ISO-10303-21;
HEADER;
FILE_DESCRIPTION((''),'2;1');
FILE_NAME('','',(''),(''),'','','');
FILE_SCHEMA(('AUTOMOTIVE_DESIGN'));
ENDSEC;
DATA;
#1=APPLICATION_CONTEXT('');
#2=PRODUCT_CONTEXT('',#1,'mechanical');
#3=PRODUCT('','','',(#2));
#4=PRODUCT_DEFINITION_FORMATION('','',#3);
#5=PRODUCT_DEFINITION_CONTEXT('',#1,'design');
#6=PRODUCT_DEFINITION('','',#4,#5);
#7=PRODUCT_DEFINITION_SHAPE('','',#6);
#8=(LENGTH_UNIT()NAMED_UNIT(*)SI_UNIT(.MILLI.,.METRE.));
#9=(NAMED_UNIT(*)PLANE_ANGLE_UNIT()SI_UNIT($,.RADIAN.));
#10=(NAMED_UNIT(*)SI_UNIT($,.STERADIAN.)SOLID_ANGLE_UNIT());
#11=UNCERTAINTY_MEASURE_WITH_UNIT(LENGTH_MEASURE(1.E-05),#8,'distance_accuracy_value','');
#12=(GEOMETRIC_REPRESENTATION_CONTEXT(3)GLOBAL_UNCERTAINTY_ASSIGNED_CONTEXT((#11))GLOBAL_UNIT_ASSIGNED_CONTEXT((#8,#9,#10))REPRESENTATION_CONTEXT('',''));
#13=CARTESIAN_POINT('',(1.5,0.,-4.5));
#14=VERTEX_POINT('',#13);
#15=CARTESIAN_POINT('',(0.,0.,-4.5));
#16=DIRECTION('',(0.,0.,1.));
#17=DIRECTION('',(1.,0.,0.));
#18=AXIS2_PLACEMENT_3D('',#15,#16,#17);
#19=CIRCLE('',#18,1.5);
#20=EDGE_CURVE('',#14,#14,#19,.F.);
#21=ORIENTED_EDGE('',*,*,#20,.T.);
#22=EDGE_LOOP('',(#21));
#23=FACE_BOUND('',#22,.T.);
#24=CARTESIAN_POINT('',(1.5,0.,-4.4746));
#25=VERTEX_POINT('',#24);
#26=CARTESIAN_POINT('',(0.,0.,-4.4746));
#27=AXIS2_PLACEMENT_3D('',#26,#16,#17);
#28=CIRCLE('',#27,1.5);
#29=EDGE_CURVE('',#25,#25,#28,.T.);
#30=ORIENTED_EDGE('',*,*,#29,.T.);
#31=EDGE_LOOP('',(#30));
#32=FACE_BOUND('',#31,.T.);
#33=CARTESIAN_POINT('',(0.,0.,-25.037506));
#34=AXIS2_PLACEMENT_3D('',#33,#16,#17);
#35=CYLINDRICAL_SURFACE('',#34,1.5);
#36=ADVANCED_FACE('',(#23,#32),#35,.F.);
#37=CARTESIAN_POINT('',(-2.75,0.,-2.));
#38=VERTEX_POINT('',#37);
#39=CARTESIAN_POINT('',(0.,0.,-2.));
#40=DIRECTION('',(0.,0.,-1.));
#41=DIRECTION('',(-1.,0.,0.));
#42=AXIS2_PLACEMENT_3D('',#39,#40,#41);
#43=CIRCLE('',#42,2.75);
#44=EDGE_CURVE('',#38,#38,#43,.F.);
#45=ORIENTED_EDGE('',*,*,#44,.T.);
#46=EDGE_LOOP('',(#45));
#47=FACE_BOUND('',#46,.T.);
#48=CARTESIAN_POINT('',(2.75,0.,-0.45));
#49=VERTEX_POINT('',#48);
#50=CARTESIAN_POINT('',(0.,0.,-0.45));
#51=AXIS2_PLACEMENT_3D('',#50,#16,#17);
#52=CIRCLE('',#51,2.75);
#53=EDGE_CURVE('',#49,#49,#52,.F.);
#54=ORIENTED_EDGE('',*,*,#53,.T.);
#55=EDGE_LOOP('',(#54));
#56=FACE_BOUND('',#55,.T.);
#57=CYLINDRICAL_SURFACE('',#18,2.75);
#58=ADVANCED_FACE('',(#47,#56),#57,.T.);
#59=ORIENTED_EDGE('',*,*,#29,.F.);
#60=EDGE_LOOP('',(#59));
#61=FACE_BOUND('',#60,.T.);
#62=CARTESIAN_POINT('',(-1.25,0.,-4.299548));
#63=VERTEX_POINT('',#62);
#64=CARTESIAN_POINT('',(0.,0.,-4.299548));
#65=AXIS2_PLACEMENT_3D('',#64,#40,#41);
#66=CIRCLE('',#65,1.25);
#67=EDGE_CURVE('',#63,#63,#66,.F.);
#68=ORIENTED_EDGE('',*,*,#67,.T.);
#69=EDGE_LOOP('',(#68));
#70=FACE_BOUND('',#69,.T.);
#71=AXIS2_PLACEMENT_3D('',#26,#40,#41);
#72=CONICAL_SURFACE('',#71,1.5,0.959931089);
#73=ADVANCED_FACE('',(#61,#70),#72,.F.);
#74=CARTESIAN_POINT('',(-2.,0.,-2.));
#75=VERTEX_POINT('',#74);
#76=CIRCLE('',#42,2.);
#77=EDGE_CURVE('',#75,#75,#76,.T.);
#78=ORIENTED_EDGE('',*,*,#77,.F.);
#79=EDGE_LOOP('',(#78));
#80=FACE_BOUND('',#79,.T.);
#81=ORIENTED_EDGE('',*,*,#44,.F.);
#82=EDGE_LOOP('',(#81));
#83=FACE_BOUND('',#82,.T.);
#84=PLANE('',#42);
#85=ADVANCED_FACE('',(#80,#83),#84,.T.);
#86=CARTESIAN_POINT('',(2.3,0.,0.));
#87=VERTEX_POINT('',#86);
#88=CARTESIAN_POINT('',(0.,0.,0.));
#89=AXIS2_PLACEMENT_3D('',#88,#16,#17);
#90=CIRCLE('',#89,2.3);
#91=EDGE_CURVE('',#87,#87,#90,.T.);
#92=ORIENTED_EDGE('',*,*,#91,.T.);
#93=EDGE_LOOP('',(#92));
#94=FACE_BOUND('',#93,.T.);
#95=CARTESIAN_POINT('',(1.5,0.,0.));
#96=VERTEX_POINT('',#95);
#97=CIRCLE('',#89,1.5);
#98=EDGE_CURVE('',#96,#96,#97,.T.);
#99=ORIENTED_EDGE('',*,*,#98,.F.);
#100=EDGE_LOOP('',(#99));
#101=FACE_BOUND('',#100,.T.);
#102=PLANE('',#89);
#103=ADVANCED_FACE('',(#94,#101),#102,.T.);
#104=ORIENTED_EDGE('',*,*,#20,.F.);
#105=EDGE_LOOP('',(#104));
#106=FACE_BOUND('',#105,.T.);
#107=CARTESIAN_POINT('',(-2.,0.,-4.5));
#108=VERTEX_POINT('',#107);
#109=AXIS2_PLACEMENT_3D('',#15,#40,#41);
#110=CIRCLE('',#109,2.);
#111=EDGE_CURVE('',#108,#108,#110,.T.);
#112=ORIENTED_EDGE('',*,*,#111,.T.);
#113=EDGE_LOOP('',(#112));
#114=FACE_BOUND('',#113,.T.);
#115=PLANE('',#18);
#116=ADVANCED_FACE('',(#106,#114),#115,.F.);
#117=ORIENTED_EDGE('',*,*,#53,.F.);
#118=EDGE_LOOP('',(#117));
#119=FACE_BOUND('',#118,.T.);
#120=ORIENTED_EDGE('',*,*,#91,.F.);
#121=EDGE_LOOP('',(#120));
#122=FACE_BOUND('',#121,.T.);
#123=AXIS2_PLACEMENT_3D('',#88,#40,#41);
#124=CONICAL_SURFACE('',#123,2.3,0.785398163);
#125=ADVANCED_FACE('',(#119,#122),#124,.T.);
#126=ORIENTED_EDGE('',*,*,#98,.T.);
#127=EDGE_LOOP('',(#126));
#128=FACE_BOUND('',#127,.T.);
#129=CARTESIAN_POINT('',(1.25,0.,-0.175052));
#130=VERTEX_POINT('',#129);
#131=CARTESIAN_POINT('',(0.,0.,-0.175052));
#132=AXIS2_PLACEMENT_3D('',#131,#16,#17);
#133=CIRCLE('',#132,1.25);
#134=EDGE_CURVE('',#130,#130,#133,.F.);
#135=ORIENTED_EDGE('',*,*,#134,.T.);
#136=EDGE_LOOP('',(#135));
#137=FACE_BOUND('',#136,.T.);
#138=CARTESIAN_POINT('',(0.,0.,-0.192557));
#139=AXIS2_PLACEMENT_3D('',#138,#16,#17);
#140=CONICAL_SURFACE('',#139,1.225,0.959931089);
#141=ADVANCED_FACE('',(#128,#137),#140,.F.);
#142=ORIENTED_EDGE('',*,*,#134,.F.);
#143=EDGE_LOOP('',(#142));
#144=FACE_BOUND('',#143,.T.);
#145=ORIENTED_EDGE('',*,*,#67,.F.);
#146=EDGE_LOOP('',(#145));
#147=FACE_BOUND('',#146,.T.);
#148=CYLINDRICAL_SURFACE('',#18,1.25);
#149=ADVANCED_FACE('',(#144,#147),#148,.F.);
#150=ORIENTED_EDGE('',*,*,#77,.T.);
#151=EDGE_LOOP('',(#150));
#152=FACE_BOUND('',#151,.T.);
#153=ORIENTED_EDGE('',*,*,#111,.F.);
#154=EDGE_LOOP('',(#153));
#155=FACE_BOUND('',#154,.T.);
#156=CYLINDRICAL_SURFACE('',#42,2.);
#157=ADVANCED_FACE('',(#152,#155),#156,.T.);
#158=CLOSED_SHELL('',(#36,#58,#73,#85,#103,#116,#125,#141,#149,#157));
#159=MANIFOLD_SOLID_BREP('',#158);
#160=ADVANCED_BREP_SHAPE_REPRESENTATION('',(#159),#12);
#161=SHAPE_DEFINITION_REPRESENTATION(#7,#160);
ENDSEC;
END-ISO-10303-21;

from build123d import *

# Parameters (mm, degrees)
BASENUTSKE_R       = 2.75
BASENUTSKE_R_2     = 1.25
BASENUT_DEPTH      = 4.5
CHAMFER1_SIZE      = 0.45
SKETCH1_OUTSIDE_W  = 9.298
SKETCH1_OUTSIDE_H  = 9.298
SKETCH1_OUTSIDE_R  = 2
CUT_EXTRUDE1_DEPTH = 2.5


with BuildPart() as part:
    # BaseNutSke → BaseNut (new body)
    with BuildSketch(Plane.XY):
        Circle(BASENUTSKE_R)
        Circle(BASENUTSKE_R_2, mode=Mode.SUBTRACT)
    extrude(amount=-BASENUT_DEPTH)

    # EndChSke (on Right Plane) → EndChamfer (revolve, cut)
    with BuildSketch(Plane(origin=(0, 0, 0), x_dir=(0, 0, -1), z_dir=(1, 0, 0)), mode=Mode.PRIVATE) as endchamfer_sk:
        Polygon((4.4746, 1.5), (4.282042927, 1.225), (4.5254, 1.225), (4.5254, 1.5), align=None)
        Polygon((-0.0508, 1.5), (0, 1.5), (0.192557073, 1.225), (-0.0508, 1.225), align=None)
    revolve(endchamfer_sk.sketch.rotate(Axis((0, 0, -25.037505729), (0, 0, -1)), 90), axis=Axis((0, 0, -25.037505729), (0, 0, -1)), mode=Mode.SUBTRACT)

    # Chamfer1
    chamfer1_edges = [part.edges().sort_by_distance(p)[0] for p in [
        (-2.75, 0, 0),
    ]]
    chamfer(chamfer1_edges, length=CHAMFER1_SIZE)

    # Sketch1 outside → Cut-Extrude1 (cut)
    with BuildSketch(Plane(origin=(0, 0, -4.5), x_dir=(-1, 0, 0), z_dir=(0, 0, -1))):
        Rectangle(SKETCH1_OUTSIDE_W, SKETCH1_OUTSIDE_H)
        Circle(SKETCH1_OUTSIDE_R, mode=Mode.SUBTRACT)
    extrude(amount=-CUT_EXTRUDE1_DEPTH, mode=Mode.SUBTRACT)


solid = part.part
